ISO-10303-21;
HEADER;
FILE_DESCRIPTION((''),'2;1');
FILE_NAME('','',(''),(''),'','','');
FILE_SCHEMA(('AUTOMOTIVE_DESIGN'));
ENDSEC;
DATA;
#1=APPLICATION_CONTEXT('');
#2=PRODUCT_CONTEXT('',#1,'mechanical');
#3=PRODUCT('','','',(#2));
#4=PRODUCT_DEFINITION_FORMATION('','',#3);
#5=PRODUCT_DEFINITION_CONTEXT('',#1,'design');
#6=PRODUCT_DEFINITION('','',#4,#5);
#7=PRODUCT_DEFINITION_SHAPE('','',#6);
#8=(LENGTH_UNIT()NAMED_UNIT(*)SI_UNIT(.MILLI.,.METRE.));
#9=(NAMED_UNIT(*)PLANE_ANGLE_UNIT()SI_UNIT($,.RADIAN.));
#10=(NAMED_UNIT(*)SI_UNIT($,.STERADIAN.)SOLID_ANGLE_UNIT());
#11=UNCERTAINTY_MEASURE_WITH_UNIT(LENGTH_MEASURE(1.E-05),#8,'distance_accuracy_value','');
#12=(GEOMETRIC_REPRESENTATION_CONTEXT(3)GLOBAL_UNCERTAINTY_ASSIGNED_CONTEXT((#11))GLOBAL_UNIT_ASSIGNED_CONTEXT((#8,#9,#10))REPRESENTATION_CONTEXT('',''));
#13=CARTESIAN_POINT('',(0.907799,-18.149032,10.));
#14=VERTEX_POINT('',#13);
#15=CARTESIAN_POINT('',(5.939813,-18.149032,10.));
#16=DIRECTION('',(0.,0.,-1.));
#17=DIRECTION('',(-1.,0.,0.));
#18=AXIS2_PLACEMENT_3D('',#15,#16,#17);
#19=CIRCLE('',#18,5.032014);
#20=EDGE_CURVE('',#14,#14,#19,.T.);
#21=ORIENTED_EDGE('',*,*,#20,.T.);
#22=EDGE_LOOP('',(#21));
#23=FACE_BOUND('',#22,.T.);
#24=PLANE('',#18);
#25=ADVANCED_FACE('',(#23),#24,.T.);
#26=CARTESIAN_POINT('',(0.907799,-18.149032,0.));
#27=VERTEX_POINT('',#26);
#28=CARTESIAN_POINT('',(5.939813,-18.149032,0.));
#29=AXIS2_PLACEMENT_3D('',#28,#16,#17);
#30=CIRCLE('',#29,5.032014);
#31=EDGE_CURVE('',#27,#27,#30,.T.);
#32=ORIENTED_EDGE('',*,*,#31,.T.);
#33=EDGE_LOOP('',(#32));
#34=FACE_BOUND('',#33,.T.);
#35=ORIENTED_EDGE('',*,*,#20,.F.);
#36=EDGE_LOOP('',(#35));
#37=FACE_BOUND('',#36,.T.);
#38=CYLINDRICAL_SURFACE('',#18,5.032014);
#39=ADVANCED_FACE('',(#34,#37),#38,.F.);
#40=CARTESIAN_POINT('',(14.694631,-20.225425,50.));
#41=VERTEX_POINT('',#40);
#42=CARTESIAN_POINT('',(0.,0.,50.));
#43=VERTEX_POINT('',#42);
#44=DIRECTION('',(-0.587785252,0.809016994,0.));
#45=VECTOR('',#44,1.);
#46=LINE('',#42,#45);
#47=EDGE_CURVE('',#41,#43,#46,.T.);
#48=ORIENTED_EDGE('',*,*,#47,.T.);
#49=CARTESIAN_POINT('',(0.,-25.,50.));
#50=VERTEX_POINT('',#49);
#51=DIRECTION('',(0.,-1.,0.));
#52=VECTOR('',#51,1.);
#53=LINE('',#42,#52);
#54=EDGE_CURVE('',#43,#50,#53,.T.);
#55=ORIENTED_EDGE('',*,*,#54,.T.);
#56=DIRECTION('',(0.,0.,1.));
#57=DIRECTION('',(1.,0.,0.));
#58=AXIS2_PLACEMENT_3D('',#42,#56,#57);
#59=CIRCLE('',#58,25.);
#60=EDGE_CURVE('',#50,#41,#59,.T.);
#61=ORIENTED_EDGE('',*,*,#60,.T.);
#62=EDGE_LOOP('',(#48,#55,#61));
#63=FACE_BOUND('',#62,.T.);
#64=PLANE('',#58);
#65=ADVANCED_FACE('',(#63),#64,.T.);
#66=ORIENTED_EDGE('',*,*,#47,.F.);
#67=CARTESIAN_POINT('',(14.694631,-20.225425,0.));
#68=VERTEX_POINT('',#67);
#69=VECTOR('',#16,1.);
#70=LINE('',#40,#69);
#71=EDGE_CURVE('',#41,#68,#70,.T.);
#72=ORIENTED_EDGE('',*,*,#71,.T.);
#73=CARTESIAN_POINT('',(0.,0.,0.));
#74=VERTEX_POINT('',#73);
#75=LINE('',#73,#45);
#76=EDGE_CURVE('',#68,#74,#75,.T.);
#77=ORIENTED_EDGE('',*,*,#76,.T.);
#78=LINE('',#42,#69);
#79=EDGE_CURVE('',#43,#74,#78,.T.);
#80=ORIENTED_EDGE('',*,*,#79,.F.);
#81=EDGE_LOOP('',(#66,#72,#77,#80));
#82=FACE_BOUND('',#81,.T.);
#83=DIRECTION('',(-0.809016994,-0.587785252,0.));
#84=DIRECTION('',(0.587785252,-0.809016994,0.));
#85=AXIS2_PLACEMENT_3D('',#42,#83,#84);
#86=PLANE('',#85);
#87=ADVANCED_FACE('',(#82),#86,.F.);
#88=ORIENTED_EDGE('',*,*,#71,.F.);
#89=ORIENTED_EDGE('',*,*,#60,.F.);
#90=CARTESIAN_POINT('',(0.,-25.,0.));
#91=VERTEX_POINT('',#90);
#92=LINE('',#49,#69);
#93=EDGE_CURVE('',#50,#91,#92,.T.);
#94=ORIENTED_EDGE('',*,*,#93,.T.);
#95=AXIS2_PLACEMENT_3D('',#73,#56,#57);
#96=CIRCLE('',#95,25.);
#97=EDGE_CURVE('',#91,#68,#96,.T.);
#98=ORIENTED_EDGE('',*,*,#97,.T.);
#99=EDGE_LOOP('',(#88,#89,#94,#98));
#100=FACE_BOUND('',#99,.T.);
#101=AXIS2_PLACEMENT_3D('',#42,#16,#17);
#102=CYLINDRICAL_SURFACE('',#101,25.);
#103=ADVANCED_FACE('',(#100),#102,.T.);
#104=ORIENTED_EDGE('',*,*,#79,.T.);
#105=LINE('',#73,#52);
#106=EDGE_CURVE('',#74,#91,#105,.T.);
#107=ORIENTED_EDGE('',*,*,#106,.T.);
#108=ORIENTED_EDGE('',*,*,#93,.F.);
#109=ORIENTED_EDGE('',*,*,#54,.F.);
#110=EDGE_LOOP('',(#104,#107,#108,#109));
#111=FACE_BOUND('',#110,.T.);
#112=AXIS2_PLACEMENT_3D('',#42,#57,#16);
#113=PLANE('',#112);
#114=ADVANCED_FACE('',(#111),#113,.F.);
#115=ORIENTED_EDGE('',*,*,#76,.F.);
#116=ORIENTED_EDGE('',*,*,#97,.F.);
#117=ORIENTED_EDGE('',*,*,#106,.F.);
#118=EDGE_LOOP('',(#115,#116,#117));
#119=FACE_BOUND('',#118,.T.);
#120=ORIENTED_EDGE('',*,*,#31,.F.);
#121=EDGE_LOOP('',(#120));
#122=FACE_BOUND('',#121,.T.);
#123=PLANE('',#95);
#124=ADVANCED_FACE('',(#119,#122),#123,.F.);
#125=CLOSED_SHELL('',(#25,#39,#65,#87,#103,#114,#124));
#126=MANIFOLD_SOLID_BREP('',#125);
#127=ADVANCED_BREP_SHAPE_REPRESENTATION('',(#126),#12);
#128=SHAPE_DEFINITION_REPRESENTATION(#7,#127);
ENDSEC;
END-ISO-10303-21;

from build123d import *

# Parameters (mm, degrees)
SALIENTE_EXTRUIR1_DEPTH = 50
CROQUIS2_R              = 5.032013792
CORTAR_EXTRUIR1_DEPTH   = 10


with BuildPart() as part:
    # Croquis1 → Saliente-Extruir1 (new body)
    with BuildSketch(Plane.XY):
        with BuildLine():
            Line((0, 0), (0, -25))
            ThreePointArc((0, -25), (7.725424859, -23.776412907), (14.694631307, -20.225424859))
            Line((14.694631307, -20.225424859), (0, 0))
        make_face()
    extrude(amount=SALIENTE_EXTRUIR1_DEPTH)

    # Croquis2 → Cortar-Extruir1 (cut)
    with BuildSketch(Plane(origin=(0, 0, 0), x_dir=(-1, 0, 0), z_dir=(0, 0, -1))):
        with Locations((-5.939812616, -18.149032461)):
            Circle(CROQUIS2_R)
    extrude(amount=-CORTAR_EXTRUIR1_DEPTH, mode=Mode.SUBTRACT)


solid = part.part
